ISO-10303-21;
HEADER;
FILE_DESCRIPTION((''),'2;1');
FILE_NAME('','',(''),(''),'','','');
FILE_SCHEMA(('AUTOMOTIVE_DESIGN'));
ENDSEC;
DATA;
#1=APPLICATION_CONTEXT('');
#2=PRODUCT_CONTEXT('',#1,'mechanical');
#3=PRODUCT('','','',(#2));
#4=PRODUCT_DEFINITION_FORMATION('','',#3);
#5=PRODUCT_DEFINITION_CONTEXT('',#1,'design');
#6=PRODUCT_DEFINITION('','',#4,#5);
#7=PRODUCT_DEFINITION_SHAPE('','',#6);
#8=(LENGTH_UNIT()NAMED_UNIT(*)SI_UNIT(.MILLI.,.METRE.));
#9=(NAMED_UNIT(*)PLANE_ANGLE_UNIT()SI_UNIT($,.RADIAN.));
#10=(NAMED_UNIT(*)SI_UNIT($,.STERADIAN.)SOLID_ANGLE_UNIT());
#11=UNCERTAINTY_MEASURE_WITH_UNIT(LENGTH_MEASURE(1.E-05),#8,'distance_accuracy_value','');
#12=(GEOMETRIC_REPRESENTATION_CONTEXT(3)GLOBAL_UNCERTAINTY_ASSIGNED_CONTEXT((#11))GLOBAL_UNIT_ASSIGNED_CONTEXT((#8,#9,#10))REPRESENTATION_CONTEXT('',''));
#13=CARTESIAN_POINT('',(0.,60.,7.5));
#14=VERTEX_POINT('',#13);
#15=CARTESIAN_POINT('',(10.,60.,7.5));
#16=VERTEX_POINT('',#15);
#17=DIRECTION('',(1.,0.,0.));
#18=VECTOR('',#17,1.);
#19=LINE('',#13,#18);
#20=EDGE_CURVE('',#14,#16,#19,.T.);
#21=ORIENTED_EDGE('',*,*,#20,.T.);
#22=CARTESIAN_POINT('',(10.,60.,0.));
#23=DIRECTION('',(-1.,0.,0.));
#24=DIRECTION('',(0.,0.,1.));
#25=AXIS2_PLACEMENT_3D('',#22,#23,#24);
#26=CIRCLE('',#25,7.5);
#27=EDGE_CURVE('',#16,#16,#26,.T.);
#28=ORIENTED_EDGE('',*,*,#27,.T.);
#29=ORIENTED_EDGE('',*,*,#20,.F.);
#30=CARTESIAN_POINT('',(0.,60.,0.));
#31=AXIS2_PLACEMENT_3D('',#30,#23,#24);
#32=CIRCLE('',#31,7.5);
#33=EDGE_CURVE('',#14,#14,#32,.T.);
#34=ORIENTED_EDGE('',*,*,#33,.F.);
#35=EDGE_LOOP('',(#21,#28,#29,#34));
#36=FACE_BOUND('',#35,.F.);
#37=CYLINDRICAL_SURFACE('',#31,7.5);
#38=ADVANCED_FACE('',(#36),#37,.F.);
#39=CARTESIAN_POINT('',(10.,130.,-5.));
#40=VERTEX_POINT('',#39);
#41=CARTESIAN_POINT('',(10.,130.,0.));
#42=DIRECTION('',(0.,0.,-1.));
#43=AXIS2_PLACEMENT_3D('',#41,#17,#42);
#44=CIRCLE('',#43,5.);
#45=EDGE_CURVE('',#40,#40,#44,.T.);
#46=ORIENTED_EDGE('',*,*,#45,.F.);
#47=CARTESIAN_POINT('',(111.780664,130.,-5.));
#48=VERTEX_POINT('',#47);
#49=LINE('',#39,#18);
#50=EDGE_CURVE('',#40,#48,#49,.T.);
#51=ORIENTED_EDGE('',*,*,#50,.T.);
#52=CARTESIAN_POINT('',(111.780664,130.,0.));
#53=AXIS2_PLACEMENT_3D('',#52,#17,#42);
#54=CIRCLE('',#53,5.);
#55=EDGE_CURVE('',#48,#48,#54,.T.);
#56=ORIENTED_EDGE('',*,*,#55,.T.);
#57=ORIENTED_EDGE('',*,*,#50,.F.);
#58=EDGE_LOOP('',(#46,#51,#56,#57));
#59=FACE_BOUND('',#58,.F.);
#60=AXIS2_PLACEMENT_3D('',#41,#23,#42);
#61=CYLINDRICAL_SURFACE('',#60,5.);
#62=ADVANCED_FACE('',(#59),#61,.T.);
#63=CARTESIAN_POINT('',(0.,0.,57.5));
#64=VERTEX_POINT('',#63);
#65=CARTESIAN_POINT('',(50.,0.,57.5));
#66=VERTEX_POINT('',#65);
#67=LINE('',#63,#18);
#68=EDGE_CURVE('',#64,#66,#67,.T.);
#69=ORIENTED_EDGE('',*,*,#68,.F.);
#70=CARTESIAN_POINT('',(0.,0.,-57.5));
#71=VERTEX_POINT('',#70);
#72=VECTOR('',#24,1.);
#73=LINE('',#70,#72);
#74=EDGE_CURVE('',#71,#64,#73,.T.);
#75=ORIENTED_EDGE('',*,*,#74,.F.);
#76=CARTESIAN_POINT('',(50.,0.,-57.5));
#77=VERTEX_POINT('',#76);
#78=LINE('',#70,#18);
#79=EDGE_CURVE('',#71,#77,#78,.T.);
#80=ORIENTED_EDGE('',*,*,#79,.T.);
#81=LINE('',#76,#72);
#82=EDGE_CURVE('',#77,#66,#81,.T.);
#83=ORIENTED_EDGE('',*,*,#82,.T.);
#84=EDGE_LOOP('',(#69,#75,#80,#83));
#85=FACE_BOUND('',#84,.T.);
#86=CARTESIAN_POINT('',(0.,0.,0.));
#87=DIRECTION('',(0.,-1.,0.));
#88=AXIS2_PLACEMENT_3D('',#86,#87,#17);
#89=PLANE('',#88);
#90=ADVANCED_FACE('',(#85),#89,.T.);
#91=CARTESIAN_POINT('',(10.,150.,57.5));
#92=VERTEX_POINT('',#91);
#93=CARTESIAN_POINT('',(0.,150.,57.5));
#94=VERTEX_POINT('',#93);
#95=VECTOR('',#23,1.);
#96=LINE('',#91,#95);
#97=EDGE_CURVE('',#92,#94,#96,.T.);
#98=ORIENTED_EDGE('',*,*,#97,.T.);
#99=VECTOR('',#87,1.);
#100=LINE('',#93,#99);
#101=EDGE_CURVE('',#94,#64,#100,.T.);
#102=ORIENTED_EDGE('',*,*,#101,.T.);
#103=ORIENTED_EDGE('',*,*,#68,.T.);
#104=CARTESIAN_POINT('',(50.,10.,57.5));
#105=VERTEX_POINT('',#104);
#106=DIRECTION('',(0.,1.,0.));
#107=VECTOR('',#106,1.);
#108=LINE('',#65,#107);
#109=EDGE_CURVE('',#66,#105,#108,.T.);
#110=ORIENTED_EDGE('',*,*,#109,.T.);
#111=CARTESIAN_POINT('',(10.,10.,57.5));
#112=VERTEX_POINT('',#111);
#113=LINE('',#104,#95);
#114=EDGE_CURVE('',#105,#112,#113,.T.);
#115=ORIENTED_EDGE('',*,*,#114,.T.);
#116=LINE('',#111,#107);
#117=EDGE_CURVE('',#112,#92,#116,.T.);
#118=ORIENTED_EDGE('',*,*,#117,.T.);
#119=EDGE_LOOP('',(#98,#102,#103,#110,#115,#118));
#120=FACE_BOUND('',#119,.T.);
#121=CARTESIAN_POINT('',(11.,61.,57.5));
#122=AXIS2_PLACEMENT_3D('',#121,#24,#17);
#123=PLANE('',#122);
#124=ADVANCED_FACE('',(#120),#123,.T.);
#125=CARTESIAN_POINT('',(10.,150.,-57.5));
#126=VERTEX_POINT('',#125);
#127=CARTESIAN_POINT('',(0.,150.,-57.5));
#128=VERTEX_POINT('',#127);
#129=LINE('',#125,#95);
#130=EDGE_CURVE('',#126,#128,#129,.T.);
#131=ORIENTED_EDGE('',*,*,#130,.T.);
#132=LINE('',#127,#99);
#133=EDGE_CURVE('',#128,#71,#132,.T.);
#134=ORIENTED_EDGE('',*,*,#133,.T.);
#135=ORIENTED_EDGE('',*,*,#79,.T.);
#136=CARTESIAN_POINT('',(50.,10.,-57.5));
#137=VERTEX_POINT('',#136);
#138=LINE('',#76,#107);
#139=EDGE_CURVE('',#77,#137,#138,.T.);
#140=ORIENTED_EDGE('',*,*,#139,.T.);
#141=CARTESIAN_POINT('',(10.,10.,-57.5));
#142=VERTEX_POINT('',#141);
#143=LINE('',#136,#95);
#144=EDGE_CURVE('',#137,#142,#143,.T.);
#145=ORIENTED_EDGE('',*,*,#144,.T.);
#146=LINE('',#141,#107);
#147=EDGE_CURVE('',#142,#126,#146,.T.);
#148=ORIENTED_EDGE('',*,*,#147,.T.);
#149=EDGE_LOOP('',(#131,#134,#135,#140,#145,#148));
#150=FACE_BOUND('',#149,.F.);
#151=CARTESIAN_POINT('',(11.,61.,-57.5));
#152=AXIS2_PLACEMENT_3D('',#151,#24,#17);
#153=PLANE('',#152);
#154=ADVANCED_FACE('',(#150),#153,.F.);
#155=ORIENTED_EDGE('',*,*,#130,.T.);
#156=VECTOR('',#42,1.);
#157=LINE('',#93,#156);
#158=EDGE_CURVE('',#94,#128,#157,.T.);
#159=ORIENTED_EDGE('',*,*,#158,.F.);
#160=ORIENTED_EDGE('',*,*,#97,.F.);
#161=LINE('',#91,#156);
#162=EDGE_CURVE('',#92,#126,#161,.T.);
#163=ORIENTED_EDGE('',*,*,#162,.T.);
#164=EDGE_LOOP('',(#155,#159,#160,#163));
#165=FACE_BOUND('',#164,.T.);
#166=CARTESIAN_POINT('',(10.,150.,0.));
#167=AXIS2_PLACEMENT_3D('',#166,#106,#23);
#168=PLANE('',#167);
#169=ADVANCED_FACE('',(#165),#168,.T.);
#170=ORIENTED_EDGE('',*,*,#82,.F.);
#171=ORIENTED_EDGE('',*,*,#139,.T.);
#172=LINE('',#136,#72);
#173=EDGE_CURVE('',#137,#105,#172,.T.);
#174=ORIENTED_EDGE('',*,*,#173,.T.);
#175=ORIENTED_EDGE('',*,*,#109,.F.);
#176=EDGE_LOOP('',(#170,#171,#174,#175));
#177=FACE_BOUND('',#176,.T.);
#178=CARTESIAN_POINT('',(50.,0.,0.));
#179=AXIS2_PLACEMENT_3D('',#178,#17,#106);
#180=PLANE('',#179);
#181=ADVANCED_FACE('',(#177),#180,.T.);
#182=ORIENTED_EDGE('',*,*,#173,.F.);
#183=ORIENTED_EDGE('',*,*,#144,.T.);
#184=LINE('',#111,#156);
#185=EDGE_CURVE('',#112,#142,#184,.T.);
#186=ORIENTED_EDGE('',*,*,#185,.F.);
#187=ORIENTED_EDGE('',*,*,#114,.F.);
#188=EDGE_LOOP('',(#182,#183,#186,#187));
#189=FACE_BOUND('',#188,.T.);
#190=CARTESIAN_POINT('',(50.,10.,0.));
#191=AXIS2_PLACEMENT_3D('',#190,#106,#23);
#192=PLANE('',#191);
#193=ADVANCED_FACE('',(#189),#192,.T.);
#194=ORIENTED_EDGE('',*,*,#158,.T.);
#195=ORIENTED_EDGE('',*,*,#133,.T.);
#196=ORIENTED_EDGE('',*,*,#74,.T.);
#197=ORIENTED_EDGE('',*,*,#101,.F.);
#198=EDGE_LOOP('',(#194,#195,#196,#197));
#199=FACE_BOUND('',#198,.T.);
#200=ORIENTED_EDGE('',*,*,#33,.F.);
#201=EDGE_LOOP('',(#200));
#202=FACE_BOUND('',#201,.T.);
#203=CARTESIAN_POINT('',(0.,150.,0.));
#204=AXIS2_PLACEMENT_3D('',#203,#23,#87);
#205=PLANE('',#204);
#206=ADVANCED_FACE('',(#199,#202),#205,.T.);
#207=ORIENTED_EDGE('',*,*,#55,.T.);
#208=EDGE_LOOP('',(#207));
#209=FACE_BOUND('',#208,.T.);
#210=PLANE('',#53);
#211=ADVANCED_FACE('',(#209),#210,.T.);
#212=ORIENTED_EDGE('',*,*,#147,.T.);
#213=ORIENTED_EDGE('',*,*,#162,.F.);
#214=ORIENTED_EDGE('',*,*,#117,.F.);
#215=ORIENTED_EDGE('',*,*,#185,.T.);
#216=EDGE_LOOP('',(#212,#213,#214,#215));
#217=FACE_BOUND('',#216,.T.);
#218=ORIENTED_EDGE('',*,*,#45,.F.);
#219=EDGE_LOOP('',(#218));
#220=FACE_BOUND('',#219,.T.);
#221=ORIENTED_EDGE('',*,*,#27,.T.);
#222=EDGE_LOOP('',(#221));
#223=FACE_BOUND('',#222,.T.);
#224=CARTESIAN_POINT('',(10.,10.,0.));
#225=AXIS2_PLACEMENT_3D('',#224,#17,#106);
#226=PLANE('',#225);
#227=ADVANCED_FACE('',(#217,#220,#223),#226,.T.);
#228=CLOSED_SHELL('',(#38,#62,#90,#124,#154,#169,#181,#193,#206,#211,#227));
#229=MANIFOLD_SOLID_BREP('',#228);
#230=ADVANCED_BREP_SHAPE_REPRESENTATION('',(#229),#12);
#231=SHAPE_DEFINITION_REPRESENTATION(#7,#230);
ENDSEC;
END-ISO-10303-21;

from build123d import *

# Parameters (mm, degrees)
BOSS_EXTRUDE1_DEPTH = 57.5
SKETCH2_R           = 7.5
CUT_EXTRUDE1_DEPTH  = 51
SKETCH3_R           = 5
BOSS_EXTRUDE2_DEPTH = 101.780663763


with BuildPart() as part:
    # Sketch1 → Boss-Extrude1 (new body, symmetric)
    with BuildSketch(Plane.XY):
        Polygon((0, 150), (0, 0), (50, 0), (50, 10), (10, 10), (10, 150), align=None)
    extrude(amount=BOSS_EXTRUDE1_DEPTH, both=True)

    # Sketch2 → Cut-Extrude1 (cut, through all)
    with BuildSketch(Plane.ZY):
        with Locations((0, 60)):
            Circle(SKETCH2_R)
    extrude(amount=-CUT_EXTRUDE1_DEPTH, mode=Mode.SUBTRACT)

    # Sketch3 → Boss-Extrude2 (add)
    with BuildSketch(Plane(origin=(10, 0, 0), x_dir=(0, 0, -1), z_dir=(1, 0, 0))):
        with Locations((0, 130)):
            Circle(SKETCH3_R)
    extrude(amount=BOSS_EXTRUDE2_DEPTH)


solid = part.part
